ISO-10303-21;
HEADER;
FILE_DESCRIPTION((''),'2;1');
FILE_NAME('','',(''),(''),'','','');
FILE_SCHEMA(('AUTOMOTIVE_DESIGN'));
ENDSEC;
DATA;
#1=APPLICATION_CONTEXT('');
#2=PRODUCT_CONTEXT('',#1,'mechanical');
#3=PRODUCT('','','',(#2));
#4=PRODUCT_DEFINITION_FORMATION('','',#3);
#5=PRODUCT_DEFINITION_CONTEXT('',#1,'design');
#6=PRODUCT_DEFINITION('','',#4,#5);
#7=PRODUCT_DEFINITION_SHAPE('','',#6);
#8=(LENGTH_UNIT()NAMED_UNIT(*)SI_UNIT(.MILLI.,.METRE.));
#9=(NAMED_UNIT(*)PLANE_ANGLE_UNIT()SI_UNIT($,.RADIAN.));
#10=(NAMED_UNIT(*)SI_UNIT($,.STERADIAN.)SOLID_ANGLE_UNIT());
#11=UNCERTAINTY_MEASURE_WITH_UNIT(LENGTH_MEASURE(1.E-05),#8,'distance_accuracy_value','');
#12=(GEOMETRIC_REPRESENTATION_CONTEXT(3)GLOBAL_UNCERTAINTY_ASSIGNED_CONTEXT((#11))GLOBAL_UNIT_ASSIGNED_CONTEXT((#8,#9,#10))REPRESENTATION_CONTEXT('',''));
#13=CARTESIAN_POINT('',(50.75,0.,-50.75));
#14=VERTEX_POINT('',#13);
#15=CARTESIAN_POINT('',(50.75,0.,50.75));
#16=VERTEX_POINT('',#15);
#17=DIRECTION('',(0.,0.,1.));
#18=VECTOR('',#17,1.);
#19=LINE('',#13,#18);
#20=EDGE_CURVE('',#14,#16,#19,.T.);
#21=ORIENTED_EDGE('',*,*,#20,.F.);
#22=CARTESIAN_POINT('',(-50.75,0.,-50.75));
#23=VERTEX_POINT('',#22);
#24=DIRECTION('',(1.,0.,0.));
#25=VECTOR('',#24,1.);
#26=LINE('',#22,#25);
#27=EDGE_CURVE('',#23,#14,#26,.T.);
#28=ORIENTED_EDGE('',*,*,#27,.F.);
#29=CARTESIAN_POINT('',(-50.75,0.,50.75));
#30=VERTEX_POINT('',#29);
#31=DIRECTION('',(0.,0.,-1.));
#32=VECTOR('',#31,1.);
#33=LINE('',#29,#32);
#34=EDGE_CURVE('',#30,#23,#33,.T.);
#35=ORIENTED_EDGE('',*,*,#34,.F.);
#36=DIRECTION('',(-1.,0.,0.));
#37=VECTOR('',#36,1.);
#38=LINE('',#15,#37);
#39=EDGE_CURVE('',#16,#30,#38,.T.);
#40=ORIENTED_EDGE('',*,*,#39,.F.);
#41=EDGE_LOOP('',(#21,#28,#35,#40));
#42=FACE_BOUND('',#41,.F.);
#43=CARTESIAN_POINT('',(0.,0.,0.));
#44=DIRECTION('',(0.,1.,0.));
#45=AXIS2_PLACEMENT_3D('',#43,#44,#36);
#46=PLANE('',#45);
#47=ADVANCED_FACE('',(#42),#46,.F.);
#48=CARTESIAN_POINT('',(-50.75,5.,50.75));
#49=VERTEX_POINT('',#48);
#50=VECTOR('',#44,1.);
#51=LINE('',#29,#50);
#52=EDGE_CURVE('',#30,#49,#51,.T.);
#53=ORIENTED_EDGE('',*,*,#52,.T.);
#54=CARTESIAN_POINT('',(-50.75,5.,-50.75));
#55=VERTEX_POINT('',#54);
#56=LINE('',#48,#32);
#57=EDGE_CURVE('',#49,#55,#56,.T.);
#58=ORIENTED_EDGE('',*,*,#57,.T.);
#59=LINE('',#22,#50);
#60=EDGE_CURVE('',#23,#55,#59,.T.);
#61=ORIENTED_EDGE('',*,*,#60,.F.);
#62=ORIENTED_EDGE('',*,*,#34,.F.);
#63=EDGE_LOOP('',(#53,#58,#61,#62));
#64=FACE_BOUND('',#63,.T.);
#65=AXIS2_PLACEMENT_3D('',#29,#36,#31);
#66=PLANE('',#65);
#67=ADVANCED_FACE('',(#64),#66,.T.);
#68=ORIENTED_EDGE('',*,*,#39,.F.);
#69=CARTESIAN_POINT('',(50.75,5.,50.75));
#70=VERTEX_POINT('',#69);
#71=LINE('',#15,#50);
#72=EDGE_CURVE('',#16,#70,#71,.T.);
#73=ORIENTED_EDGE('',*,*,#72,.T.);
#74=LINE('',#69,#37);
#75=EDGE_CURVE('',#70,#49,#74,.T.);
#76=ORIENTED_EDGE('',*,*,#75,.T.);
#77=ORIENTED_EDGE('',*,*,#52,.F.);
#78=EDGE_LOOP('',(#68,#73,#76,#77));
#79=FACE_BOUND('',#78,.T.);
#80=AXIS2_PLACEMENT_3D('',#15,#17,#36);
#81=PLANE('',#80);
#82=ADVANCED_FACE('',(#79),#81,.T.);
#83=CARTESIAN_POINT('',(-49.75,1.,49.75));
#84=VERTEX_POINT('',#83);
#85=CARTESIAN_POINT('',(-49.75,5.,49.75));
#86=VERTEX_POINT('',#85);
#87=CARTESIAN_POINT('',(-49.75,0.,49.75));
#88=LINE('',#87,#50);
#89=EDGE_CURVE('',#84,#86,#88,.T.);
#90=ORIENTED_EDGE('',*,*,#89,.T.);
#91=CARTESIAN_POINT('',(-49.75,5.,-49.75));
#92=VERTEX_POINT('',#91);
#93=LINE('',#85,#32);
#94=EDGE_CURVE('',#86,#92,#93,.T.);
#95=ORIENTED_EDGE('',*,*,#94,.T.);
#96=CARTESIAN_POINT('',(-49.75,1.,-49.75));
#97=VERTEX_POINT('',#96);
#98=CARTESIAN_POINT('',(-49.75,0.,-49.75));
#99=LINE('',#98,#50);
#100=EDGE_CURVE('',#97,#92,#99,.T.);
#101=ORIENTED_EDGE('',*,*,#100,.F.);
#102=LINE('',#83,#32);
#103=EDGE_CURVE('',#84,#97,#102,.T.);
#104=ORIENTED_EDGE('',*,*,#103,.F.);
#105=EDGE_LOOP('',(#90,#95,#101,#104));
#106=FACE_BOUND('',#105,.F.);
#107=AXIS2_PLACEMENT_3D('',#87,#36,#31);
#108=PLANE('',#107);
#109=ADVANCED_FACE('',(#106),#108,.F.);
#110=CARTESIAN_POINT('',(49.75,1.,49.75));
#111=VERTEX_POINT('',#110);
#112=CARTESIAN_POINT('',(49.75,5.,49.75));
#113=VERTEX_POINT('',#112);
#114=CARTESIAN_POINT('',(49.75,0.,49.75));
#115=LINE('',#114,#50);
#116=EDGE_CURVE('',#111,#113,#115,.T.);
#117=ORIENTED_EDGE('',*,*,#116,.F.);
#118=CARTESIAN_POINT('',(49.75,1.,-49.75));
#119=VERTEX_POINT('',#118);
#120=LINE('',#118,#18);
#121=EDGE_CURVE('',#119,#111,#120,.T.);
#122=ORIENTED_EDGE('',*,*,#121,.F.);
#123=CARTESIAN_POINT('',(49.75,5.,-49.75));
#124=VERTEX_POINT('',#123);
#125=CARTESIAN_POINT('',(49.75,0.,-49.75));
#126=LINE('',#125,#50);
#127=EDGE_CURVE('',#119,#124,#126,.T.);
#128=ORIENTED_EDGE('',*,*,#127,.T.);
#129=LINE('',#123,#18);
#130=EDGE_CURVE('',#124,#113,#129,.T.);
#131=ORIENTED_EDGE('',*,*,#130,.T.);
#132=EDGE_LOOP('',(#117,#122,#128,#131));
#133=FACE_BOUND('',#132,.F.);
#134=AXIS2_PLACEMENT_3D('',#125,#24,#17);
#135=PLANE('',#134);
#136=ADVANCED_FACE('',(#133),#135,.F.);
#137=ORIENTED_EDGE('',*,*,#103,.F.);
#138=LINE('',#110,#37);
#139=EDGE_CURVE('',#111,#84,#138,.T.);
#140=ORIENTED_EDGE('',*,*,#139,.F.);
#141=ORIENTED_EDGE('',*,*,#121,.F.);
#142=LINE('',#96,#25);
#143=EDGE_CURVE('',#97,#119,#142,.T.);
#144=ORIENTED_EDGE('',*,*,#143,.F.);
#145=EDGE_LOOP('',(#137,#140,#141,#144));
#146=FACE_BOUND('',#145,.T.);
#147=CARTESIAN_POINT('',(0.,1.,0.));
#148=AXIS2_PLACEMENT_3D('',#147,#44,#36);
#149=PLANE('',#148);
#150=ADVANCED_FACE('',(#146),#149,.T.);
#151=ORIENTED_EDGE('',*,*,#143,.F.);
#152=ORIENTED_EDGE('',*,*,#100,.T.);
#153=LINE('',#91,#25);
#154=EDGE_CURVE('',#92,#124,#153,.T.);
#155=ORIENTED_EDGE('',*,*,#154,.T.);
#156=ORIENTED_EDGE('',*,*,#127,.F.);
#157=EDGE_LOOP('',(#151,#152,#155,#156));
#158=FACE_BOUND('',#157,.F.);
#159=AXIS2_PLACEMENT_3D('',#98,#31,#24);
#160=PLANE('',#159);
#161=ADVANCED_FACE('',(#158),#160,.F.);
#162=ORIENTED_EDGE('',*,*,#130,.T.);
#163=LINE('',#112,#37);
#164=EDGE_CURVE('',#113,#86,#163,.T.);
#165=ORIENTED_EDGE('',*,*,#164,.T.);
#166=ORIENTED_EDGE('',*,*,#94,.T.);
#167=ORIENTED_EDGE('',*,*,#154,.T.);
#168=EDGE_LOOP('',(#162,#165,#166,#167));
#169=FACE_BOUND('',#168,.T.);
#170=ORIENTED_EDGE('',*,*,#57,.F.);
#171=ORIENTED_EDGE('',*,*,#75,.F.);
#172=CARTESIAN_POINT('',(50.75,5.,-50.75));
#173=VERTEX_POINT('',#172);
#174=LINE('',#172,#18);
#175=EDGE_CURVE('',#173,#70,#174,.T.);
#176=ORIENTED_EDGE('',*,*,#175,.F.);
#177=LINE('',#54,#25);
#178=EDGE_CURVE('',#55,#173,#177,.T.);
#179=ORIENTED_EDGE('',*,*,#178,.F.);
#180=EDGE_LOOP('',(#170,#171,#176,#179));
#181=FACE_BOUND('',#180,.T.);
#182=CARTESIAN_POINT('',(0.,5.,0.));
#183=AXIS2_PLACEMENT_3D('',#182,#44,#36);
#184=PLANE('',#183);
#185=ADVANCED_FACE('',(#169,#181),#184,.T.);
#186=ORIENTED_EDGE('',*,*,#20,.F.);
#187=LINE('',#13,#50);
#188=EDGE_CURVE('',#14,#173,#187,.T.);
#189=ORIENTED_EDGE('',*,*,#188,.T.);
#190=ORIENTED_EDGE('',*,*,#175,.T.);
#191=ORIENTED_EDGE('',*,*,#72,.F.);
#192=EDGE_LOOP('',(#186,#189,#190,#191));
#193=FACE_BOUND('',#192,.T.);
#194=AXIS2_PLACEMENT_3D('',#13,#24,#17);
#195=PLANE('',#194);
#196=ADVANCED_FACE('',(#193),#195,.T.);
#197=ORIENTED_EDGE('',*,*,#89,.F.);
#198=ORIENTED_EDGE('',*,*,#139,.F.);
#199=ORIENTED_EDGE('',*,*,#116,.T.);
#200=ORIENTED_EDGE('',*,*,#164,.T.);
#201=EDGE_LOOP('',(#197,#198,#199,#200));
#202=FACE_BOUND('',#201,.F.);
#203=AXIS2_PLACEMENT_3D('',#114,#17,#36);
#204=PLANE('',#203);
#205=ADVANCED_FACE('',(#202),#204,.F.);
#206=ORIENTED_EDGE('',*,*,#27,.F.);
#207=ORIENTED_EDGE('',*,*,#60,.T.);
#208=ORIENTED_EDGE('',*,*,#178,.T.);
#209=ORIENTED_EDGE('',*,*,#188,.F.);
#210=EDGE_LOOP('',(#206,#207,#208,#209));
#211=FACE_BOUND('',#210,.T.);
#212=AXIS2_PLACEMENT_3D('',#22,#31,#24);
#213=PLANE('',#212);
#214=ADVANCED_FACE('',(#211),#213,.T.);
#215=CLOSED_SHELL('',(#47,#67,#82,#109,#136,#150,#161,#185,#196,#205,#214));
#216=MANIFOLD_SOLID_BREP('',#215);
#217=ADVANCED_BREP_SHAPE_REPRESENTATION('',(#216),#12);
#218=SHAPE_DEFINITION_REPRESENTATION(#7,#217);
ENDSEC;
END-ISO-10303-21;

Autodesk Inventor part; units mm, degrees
ref_plane "YZ Plane" through (0, 0, 0) normal (1, 0, 0) x (0, 1, 0)
ref_plane "XZ Plane" through (0, 0, 0) normal (0, 1, 0) x (-1, 0, 0)
ref_plane "XY Plane" through (0, 0, 0) normal (0, 0, 1) x (1, 0, 0)
sketch "Náčrt1" plane through (0, 0, 0) normal (0, 1, 0) x (-1, 0, 0)
  line L0 (49.75, -49.75) -> (-49.75, -49.75)
  line L1 (-49.75, -49.75) -> (-49.75, 49.75)
  line L2 (-49.75, 49.75) -> (49.75, 49.75)
  line L3 (49.75, 49.75) -> (49.75, -49.75)
  line L4 (49.75, -49.75) -> (0, 0) construction
  line L5 (0, 0) -> (-49.75, -49.75) construction
  line L6 (0, 0) -> (-49.75, 49.75) construction
  line L7 (50.75, -50.75) -> (-50.75, -50.75)
  line L8 (-50.75, -50.75) -> (-50.75, 50.75)
  line L9 (-50.75, 50.75) -> (50.75, 50.75)
  line L10 (50.75, 50.75) -> (50.75, -50.75)
  dimension "d0" = 99.5
  dimension "d3" = 1
extrude "Vysunutí1" add sketch "Náčrt1" along normal blind 1 contours L0 L1 L2 L3
extrude "Vysunutí2" add sketch "Náčrt1" along normal blind 5
properties part number "box"
